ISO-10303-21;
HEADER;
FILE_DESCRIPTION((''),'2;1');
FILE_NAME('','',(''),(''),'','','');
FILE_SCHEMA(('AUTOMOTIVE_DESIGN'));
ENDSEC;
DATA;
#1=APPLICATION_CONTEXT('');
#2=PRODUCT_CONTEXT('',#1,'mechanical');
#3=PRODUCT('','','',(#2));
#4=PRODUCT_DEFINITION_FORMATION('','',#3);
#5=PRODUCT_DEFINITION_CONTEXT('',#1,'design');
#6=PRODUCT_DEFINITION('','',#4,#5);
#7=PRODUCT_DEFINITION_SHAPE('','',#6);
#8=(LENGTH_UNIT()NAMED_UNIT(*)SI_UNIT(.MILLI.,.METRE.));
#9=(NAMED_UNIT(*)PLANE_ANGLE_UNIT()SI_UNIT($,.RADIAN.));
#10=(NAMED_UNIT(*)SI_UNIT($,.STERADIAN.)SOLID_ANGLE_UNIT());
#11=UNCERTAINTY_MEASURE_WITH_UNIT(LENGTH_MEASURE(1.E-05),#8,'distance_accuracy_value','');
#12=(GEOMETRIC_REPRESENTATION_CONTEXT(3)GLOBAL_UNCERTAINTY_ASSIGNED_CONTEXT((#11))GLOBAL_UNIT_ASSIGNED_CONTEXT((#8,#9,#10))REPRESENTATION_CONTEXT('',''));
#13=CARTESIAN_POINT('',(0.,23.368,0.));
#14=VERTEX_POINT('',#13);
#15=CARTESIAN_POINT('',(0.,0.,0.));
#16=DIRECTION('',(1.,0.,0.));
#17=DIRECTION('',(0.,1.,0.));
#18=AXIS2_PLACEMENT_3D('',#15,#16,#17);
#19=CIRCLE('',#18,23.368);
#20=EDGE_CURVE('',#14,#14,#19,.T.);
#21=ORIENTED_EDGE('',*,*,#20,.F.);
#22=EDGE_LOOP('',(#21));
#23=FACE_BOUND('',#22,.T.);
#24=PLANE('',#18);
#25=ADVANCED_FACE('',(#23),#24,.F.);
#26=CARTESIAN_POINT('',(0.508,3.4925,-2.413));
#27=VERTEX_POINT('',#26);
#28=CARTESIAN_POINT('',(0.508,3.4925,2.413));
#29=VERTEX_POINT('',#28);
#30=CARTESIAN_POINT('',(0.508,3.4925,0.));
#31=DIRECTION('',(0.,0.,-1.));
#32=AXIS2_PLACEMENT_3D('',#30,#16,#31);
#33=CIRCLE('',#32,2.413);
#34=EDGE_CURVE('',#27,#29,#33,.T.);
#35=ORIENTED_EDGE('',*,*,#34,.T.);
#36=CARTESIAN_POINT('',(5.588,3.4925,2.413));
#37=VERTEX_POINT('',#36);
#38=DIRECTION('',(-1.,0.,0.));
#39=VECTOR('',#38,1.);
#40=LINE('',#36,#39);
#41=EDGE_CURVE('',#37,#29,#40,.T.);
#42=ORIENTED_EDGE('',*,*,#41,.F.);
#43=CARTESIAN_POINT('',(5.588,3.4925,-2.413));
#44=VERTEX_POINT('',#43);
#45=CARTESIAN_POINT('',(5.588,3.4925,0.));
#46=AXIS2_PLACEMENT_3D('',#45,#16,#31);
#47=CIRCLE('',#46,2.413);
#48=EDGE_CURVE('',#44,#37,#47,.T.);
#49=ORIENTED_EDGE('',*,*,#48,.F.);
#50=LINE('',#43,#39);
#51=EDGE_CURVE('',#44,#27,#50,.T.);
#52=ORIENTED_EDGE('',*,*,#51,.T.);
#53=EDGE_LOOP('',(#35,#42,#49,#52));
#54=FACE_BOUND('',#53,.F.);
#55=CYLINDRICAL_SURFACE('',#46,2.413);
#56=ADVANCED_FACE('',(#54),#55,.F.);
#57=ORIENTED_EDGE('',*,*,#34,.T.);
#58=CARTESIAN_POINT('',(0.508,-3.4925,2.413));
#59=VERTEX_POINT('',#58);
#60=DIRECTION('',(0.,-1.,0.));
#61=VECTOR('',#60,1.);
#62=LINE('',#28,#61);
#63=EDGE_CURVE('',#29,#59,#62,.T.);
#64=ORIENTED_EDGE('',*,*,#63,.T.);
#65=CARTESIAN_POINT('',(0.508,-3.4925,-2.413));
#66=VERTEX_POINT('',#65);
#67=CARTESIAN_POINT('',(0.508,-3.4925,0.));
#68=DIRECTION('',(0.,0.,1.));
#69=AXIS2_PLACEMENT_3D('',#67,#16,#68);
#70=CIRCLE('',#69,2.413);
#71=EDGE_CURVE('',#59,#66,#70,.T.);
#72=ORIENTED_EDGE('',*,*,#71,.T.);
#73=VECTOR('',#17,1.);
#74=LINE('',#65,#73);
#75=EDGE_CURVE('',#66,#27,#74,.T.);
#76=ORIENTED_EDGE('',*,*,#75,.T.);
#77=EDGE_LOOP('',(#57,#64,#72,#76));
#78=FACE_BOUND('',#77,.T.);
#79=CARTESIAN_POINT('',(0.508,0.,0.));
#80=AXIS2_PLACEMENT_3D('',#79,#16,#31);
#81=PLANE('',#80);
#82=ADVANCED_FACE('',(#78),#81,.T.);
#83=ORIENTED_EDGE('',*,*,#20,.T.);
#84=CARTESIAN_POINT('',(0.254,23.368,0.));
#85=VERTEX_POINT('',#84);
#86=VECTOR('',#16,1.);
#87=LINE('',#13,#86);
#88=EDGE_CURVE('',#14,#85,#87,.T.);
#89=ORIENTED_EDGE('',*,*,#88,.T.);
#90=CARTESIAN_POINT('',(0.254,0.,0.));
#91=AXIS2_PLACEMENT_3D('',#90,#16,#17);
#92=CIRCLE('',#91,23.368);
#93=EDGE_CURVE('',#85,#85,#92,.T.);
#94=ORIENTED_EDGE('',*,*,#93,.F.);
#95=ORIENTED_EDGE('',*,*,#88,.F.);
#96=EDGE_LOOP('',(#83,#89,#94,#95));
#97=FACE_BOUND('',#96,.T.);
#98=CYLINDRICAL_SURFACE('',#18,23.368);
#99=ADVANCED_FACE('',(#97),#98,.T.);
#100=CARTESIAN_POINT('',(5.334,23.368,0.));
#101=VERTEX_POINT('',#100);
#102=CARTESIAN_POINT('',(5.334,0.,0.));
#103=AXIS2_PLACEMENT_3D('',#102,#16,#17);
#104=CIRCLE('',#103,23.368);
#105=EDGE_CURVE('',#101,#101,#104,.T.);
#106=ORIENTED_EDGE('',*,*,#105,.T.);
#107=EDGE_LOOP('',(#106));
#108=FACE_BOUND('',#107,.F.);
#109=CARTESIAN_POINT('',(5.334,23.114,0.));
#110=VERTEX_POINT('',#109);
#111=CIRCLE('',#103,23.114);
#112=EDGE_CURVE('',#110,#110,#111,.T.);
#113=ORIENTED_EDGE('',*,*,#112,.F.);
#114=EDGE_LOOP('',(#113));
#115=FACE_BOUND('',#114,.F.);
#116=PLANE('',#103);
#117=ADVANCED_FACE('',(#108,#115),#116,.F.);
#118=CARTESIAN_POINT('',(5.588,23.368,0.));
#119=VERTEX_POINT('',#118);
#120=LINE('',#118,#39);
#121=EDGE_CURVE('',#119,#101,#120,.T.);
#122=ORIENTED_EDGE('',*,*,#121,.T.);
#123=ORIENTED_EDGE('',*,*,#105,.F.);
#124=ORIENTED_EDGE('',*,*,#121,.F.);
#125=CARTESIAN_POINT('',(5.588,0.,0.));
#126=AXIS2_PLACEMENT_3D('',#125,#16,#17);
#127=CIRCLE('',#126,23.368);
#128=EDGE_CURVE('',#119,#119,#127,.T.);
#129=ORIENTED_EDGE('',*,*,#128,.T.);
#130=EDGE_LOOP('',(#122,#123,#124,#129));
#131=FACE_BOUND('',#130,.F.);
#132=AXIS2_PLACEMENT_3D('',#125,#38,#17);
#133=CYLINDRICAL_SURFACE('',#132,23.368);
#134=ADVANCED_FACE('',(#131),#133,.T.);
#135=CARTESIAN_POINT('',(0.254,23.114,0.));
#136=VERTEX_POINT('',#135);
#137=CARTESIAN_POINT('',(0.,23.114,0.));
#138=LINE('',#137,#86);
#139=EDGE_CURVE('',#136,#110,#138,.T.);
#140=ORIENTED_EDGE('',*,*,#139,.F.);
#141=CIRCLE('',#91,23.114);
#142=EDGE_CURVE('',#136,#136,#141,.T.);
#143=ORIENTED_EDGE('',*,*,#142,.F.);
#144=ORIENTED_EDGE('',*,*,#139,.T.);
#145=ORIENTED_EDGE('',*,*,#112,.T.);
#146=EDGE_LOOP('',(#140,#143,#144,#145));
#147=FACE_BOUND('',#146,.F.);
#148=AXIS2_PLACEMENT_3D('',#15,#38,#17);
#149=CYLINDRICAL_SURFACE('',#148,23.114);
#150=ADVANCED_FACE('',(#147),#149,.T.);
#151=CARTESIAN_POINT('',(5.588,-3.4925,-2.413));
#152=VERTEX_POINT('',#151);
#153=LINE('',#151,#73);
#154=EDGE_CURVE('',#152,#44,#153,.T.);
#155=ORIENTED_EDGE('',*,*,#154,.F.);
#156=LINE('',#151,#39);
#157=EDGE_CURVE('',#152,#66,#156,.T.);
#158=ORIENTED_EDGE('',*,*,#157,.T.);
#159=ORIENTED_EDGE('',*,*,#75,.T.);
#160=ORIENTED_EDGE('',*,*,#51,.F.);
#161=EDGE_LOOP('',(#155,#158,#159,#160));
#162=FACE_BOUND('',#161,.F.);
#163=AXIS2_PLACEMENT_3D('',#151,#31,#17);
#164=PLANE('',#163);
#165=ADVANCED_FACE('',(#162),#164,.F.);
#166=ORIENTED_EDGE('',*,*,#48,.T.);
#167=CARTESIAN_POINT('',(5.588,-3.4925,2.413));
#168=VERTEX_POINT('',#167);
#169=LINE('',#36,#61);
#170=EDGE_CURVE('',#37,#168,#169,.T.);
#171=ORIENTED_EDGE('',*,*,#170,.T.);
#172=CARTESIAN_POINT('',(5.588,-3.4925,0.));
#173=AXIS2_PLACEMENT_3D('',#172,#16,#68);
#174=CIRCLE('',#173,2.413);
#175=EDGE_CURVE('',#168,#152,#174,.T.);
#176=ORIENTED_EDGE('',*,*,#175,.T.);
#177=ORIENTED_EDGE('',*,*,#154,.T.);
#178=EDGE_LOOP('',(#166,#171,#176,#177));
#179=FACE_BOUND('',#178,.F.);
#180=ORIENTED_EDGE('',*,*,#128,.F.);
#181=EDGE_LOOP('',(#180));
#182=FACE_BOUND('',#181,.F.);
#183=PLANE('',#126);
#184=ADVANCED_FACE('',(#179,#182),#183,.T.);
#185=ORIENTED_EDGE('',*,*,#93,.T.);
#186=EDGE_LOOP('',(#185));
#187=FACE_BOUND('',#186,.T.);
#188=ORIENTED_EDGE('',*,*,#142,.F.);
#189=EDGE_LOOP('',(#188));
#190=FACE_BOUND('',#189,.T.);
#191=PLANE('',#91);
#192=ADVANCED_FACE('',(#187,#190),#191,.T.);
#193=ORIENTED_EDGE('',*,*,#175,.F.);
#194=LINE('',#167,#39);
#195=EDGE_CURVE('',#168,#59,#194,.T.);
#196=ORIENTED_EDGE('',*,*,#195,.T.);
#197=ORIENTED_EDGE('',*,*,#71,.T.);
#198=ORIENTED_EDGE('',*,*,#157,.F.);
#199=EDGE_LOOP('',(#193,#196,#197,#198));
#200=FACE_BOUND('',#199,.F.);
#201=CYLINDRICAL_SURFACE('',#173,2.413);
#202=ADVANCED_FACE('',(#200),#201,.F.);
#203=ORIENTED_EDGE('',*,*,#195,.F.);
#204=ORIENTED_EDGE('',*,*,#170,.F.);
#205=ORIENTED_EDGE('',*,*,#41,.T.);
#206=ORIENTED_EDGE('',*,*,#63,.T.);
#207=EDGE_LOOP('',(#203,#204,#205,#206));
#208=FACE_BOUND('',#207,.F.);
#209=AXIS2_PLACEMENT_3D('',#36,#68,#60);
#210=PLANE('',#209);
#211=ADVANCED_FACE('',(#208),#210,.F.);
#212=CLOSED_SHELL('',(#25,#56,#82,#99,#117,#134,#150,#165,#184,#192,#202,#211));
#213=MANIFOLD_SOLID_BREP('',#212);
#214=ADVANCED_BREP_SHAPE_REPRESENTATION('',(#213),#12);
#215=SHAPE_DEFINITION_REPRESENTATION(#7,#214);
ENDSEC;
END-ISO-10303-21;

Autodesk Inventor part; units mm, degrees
ref_plane "YZ Plane" through (0, 0, 0) normal (1, 0, 0) x (0, 1, 0)
ref_plane "XZ Plane" through (0, 0, 0) normal (0, 1, 0) x (-1, 0, 0)
sketch "Sketch1" plane through (0, 0, 0) normal (1, 0, 0) x (0, 1, 0)
  circle A0 centre (0, 0) radius 23.114
  dimension "d0" = 46.228
extrude "Extrusion1" add sketch "Sketch1" along normal blind 5.588
sketch "Sketch3" plane through (0, 0, 0) normal (0, 0, 1) x (1, 0, 0)
  line L0 (5.588, -23.114) -> (5.588, 23.114) projected
  line L1 (5.588, 23.114) -> (5.588, 23.368)
  line L2 (5.588, 23.368) -> (5.334, 23.368)
  line L3 (5.334, 23.368) -> (5.334, 23.114)
  line L4 (0, 23.114) -> (5.588, 23.114) projected
  line L5 (5.334, 23.114) -> (5.588, 23.114)
  line L6 (0, 0) -> (5.588, 0)
  line L7 (0, 23.114) -> (0, 23.368)
  line L8 (0, 23.368) -> (0.254, 23.368)
  line L9 (0.254, 23.368) -> (0.254, 23.114)
  line L10 (0, 23.114) -> (0.254, 23.114)
  dimension "d5" = 0.254
  dimension "d6" = 0.254
  dimension "d7" = 0.254
  dimension "d8" = 0.254
revolve "Revolution1" add sketch "Sketch3" angle 360 about axis through (0, 0, 0) along (1, 0, 0)
sketch "Sketch4" plane through (5.588, 0, 0) normal (1, 0, 0) x (0, 0, -1)
  line L0 (0, -3.4925) -> (0, 3.4925) construction
  line L1 (2.413, -3.4925) -> (2.413, 3.4925)
  line L2 (-2.413, 3.4925) -> (-2.413, -3.4925)
  arc A0 (-2.413, -3.4925) -> (2.413, -3.4925) centre (0, -3.4925) ccw
  arc A1 (2.413, 3.4925) -> (-2.413, 3.4925) centre (0, 3.4925) ccw
  point P0 (0, 0)
  dimension "d10" = 3.4925
  dimension "d11" = 4.826
extrude "Extrusion2" cut sketch "Sketch4" against normal blind 5.08
properties part number "msheehan_wheel"
